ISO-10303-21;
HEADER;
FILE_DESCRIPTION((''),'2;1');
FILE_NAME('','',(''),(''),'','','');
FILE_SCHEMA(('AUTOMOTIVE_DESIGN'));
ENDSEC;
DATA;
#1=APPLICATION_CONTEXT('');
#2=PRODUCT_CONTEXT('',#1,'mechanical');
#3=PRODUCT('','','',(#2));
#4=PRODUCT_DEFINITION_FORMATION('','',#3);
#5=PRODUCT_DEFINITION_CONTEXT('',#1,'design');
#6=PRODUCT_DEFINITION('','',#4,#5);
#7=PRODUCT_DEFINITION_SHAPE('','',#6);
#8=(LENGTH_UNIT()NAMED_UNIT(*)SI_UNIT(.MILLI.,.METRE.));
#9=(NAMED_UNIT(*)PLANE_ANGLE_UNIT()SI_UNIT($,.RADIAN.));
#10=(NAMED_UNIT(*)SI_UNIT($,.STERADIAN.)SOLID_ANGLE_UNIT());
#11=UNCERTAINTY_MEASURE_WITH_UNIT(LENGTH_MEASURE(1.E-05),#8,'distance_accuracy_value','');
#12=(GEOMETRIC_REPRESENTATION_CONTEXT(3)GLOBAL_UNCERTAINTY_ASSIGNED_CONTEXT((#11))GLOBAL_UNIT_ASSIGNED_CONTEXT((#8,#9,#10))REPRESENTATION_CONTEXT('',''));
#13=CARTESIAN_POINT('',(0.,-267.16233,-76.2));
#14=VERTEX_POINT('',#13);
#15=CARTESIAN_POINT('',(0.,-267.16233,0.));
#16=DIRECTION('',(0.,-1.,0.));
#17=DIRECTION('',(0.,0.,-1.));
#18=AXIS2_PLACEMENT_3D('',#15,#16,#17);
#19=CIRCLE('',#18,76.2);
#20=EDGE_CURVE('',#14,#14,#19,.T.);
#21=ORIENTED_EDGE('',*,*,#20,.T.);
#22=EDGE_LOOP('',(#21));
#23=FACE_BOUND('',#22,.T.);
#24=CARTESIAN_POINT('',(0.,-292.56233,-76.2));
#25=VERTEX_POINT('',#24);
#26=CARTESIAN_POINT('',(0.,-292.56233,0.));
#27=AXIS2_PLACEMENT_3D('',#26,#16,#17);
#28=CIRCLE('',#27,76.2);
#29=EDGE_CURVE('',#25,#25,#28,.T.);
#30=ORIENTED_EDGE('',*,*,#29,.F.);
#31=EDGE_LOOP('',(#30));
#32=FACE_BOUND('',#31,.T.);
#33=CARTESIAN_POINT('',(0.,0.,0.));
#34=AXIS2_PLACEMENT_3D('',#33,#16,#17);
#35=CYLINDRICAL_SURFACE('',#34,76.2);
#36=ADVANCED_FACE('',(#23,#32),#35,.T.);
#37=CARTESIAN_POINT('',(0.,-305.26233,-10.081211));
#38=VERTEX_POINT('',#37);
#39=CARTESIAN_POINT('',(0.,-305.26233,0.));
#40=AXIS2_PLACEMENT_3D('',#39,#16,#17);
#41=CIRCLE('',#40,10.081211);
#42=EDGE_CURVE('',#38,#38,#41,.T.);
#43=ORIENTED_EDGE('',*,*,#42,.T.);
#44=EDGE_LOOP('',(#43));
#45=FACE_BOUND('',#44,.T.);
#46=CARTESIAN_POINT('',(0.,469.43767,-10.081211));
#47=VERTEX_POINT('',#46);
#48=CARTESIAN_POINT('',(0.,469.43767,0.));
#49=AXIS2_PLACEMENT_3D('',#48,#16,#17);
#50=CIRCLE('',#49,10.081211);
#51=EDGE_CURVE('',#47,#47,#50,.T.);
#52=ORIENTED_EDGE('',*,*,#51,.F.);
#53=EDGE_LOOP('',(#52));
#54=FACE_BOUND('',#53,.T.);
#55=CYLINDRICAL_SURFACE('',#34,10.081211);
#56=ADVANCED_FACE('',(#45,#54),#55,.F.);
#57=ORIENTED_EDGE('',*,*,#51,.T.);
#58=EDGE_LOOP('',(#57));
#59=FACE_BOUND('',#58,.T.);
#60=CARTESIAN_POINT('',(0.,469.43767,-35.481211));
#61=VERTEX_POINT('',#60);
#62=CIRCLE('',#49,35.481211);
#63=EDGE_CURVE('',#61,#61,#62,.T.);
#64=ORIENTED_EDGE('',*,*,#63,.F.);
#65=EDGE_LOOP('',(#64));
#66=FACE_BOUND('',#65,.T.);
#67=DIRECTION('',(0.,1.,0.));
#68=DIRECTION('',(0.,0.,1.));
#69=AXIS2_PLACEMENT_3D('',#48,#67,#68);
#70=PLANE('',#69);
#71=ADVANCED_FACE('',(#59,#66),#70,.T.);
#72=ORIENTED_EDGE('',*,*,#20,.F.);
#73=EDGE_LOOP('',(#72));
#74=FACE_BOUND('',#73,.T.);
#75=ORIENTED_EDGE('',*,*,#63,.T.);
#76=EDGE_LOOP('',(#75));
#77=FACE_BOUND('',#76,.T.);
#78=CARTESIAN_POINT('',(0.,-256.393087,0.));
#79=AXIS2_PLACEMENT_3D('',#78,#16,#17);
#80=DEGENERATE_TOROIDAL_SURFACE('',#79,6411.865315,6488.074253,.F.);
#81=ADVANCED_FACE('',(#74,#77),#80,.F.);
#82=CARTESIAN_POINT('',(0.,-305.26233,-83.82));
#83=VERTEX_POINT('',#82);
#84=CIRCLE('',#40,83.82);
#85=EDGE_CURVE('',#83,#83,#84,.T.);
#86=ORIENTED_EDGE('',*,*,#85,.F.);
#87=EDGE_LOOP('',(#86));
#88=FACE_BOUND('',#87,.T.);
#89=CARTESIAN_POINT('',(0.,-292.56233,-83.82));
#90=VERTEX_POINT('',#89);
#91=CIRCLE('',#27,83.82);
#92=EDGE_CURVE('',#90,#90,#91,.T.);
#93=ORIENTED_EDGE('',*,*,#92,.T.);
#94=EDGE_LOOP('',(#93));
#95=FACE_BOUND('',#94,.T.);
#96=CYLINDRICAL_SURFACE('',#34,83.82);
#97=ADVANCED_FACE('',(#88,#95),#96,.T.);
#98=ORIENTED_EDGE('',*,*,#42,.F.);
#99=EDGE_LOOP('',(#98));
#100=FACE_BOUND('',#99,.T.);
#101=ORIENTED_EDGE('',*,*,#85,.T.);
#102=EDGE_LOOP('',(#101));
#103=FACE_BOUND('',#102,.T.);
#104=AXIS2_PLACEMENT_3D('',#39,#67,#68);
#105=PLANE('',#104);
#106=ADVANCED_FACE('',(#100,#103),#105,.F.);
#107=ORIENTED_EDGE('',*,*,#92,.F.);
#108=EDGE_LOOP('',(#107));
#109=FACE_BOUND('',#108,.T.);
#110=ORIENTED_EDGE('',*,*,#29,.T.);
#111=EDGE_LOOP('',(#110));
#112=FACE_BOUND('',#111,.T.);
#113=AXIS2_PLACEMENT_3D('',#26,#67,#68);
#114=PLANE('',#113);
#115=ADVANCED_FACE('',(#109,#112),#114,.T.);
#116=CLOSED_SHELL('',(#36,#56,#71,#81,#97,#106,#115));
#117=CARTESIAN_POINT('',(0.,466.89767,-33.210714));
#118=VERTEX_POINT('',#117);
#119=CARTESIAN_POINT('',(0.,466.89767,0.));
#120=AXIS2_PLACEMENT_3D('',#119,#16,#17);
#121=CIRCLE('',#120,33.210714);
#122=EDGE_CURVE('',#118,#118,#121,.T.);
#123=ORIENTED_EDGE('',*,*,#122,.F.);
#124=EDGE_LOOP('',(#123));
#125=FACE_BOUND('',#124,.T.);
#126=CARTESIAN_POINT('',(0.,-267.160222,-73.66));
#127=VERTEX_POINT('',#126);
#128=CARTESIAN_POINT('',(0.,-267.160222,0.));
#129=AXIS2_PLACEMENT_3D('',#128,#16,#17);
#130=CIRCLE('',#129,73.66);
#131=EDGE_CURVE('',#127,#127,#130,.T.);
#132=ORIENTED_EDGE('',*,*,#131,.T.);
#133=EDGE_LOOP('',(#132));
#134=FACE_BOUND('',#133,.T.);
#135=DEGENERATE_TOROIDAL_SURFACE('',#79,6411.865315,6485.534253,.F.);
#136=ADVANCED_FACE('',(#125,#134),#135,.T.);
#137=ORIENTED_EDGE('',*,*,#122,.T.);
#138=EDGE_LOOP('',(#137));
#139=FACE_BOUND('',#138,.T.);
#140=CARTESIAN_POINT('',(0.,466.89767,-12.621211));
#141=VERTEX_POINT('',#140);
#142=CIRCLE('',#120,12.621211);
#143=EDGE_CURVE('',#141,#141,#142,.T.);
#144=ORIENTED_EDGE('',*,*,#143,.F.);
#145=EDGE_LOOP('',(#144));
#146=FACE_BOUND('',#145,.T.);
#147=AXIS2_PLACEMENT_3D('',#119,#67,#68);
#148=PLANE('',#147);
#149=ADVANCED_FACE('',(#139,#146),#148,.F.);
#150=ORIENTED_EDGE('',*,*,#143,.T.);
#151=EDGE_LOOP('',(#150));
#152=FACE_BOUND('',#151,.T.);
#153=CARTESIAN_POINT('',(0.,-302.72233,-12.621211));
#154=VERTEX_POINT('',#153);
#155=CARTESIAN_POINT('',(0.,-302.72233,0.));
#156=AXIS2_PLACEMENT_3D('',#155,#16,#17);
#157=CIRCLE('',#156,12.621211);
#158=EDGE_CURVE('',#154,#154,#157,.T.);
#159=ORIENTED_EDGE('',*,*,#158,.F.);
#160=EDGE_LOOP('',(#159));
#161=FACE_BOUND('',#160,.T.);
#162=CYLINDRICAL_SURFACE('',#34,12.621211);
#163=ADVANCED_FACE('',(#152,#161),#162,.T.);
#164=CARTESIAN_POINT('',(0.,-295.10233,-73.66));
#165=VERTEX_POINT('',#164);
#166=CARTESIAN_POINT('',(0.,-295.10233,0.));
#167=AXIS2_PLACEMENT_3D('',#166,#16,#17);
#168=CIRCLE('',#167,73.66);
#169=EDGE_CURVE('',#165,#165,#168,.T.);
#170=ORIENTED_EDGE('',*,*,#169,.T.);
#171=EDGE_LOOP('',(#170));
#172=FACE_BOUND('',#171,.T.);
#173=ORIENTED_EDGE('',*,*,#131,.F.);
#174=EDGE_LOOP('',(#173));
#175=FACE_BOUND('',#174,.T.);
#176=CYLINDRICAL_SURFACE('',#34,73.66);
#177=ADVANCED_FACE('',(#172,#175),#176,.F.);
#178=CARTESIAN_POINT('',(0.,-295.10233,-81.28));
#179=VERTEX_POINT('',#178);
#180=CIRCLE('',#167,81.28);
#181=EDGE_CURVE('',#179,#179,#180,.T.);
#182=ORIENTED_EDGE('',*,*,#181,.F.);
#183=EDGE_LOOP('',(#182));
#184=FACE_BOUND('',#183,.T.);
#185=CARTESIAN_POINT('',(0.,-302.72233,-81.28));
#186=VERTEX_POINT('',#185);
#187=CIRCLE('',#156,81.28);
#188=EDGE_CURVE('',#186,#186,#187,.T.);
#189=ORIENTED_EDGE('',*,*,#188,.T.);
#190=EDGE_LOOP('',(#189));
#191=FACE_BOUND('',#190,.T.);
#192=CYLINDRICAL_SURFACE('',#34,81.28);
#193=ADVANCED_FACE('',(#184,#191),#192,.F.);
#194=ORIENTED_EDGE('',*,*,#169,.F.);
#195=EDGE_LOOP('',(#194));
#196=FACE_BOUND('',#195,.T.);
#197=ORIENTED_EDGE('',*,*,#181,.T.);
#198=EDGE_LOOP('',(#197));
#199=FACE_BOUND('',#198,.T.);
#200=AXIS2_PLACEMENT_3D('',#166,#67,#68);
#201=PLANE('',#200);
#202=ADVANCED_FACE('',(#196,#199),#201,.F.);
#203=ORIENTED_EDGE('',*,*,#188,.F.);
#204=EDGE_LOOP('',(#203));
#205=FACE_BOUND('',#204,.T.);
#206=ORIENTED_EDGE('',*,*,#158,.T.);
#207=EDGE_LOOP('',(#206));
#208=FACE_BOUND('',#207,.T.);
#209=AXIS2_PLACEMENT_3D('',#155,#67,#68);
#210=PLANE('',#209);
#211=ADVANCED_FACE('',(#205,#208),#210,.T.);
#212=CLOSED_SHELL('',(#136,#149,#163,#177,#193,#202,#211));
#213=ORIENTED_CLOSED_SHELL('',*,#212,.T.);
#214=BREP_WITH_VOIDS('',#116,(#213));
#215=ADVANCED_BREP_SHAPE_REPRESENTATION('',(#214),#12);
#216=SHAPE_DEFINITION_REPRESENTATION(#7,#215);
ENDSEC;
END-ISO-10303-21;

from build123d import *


with BuildPart() as part:
    # Sketch1 → Revolve-Thin1 (revolve)
    with BuildSketch(Plane.XY, mode=Mode.PRIVATE) as revolve_thin1_sk:
        with BuildLine():
            Line((-76.2, -267.162329894), (-76.2, -292.562329894))
            Line((-76.2, -292.562329894), (-83.82, -292.562329894))
            Line((-83.82, -292.562329894), (-83.82, -305.262329894))
            Line((-83.82, -305.262329894), (-10.081210505, -305.262329894))
            Line((-10.081210505, -305.262329894), (-10.081210505, 469.437670106))
            Line((-10.081210505, 469.437670106), (-35.481210505, 469.437670106))
            ThreePointArc((-35.481210505, 469.437670106), (-66.318439793, 101.716878278), (-76.2, -267.162329894))
        make_face()
        with BuildLine():
            Line((-73.66, -267.160221674), (-73.66, -295.102329894))
            Line((-73.66, -295.102329894), (-81.28, -295.102329894))
            Line((-81.28, -295.102329894), (-81.28, -302.722329894))
            Line((-81.28, -302.722329894), (-12.621210505, -302.722329894))
            Line((-12.621210505, -302.722329894), (-12.621210505, 466.897670106))
            Line((-12.621210505, 466.897670106), (-33.210714263, 466.897670106))
            ThreePointArc((-33.210714263, 466.897670106), (-63.844918494, 100.442329278), (-73.66, -267.160221674))
        make_face(mode=Mode.SUBTRACT)
    revolve(revolve_thin1_sk.sketch.rotate(Axis((0, 0, 0), (0, 1, 0)), 270), axis=Axis((0, 0, 0), (0, 1, 0)))


solid = part.part
